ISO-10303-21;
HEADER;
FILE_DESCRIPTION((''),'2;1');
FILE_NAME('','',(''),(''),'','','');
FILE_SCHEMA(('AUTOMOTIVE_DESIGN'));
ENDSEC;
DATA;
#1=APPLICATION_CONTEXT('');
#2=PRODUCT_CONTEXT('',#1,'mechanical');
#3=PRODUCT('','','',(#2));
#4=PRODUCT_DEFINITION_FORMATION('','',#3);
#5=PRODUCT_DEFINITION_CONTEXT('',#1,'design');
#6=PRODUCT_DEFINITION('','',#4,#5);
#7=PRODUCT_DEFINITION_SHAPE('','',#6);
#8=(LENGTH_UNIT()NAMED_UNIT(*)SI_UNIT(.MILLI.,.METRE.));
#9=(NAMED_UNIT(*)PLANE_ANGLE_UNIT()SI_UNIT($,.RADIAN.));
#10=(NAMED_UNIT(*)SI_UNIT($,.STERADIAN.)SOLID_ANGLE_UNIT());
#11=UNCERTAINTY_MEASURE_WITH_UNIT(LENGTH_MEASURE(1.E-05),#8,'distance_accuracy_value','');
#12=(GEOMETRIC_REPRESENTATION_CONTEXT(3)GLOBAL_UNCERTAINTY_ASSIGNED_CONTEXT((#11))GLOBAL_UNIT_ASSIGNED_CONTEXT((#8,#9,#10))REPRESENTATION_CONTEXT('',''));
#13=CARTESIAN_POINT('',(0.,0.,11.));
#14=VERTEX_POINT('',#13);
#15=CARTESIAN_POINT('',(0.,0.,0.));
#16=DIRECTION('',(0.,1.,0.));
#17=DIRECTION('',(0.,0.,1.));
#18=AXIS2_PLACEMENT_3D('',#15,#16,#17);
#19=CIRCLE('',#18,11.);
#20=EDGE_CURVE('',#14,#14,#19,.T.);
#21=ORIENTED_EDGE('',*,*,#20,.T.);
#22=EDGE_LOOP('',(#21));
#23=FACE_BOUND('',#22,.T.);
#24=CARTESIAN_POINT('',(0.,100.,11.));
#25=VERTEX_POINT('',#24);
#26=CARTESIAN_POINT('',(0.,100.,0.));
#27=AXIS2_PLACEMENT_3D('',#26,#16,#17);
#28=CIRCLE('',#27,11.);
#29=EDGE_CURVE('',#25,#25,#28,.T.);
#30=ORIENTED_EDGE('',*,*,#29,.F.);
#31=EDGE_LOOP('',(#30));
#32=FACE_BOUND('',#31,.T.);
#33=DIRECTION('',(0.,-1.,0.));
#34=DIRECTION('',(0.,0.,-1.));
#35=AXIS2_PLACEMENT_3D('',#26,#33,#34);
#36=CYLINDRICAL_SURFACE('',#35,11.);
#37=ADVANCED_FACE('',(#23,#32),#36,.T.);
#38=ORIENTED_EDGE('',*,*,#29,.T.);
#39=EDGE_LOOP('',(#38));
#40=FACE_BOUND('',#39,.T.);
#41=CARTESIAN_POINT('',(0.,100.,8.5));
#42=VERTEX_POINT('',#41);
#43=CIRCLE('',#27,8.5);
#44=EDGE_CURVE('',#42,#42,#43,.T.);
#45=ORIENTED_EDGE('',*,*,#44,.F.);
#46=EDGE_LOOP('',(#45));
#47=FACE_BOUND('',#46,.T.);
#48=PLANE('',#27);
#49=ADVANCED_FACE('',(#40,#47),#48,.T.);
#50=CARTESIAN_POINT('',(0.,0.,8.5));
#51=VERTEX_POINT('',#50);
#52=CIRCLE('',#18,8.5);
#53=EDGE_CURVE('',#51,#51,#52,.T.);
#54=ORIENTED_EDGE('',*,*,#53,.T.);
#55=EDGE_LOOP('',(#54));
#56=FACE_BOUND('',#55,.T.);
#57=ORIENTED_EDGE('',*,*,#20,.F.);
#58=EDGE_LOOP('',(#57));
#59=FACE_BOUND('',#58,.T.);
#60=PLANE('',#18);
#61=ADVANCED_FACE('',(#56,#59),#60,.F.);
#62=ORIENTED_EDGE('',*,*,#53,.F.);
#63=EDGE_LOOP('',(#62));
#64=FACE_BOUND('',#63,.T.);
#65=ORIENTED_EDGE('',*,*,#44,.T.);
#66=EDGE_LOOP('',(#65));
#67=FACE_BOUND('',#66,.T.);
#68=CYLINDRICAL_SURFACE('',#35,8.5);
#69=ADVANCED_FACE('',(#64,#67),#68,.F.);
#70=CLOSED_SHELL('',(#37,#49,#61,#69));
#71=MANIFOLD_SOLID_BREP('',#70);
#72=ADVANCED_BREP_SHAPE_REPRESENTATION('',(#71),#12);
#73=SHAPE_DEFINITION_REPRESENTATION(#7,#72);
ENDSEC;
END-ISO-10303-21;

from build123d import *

# Parameters (mm, degrees)
SKETCH1_R           = 11
SKETCH1_R_2         = 8.5
BOSS_EXTRUDE1_DEPTH = 100


with BuildPart() as part:
    # Sketch1 → Boss-Extrude1 (new body)
    with BuildSketch(Plane(origin=(0, 0, 0), x_dir=(1, 0, 0), z_dir=(0, 1, 0))):
        with Locations(Location((0, 0, 0), (0, 0, 270))):
            Circle(SKETCH1_R)
        with Locations(Location((0, 0, 0), (0, 0, 270))):
            Circle(SKETCH1_R_2, mode=Mode.SUBTRACT)
    extrude(amount=BOSS_EXTRUDE1_DEPTH)


solid = part.part
